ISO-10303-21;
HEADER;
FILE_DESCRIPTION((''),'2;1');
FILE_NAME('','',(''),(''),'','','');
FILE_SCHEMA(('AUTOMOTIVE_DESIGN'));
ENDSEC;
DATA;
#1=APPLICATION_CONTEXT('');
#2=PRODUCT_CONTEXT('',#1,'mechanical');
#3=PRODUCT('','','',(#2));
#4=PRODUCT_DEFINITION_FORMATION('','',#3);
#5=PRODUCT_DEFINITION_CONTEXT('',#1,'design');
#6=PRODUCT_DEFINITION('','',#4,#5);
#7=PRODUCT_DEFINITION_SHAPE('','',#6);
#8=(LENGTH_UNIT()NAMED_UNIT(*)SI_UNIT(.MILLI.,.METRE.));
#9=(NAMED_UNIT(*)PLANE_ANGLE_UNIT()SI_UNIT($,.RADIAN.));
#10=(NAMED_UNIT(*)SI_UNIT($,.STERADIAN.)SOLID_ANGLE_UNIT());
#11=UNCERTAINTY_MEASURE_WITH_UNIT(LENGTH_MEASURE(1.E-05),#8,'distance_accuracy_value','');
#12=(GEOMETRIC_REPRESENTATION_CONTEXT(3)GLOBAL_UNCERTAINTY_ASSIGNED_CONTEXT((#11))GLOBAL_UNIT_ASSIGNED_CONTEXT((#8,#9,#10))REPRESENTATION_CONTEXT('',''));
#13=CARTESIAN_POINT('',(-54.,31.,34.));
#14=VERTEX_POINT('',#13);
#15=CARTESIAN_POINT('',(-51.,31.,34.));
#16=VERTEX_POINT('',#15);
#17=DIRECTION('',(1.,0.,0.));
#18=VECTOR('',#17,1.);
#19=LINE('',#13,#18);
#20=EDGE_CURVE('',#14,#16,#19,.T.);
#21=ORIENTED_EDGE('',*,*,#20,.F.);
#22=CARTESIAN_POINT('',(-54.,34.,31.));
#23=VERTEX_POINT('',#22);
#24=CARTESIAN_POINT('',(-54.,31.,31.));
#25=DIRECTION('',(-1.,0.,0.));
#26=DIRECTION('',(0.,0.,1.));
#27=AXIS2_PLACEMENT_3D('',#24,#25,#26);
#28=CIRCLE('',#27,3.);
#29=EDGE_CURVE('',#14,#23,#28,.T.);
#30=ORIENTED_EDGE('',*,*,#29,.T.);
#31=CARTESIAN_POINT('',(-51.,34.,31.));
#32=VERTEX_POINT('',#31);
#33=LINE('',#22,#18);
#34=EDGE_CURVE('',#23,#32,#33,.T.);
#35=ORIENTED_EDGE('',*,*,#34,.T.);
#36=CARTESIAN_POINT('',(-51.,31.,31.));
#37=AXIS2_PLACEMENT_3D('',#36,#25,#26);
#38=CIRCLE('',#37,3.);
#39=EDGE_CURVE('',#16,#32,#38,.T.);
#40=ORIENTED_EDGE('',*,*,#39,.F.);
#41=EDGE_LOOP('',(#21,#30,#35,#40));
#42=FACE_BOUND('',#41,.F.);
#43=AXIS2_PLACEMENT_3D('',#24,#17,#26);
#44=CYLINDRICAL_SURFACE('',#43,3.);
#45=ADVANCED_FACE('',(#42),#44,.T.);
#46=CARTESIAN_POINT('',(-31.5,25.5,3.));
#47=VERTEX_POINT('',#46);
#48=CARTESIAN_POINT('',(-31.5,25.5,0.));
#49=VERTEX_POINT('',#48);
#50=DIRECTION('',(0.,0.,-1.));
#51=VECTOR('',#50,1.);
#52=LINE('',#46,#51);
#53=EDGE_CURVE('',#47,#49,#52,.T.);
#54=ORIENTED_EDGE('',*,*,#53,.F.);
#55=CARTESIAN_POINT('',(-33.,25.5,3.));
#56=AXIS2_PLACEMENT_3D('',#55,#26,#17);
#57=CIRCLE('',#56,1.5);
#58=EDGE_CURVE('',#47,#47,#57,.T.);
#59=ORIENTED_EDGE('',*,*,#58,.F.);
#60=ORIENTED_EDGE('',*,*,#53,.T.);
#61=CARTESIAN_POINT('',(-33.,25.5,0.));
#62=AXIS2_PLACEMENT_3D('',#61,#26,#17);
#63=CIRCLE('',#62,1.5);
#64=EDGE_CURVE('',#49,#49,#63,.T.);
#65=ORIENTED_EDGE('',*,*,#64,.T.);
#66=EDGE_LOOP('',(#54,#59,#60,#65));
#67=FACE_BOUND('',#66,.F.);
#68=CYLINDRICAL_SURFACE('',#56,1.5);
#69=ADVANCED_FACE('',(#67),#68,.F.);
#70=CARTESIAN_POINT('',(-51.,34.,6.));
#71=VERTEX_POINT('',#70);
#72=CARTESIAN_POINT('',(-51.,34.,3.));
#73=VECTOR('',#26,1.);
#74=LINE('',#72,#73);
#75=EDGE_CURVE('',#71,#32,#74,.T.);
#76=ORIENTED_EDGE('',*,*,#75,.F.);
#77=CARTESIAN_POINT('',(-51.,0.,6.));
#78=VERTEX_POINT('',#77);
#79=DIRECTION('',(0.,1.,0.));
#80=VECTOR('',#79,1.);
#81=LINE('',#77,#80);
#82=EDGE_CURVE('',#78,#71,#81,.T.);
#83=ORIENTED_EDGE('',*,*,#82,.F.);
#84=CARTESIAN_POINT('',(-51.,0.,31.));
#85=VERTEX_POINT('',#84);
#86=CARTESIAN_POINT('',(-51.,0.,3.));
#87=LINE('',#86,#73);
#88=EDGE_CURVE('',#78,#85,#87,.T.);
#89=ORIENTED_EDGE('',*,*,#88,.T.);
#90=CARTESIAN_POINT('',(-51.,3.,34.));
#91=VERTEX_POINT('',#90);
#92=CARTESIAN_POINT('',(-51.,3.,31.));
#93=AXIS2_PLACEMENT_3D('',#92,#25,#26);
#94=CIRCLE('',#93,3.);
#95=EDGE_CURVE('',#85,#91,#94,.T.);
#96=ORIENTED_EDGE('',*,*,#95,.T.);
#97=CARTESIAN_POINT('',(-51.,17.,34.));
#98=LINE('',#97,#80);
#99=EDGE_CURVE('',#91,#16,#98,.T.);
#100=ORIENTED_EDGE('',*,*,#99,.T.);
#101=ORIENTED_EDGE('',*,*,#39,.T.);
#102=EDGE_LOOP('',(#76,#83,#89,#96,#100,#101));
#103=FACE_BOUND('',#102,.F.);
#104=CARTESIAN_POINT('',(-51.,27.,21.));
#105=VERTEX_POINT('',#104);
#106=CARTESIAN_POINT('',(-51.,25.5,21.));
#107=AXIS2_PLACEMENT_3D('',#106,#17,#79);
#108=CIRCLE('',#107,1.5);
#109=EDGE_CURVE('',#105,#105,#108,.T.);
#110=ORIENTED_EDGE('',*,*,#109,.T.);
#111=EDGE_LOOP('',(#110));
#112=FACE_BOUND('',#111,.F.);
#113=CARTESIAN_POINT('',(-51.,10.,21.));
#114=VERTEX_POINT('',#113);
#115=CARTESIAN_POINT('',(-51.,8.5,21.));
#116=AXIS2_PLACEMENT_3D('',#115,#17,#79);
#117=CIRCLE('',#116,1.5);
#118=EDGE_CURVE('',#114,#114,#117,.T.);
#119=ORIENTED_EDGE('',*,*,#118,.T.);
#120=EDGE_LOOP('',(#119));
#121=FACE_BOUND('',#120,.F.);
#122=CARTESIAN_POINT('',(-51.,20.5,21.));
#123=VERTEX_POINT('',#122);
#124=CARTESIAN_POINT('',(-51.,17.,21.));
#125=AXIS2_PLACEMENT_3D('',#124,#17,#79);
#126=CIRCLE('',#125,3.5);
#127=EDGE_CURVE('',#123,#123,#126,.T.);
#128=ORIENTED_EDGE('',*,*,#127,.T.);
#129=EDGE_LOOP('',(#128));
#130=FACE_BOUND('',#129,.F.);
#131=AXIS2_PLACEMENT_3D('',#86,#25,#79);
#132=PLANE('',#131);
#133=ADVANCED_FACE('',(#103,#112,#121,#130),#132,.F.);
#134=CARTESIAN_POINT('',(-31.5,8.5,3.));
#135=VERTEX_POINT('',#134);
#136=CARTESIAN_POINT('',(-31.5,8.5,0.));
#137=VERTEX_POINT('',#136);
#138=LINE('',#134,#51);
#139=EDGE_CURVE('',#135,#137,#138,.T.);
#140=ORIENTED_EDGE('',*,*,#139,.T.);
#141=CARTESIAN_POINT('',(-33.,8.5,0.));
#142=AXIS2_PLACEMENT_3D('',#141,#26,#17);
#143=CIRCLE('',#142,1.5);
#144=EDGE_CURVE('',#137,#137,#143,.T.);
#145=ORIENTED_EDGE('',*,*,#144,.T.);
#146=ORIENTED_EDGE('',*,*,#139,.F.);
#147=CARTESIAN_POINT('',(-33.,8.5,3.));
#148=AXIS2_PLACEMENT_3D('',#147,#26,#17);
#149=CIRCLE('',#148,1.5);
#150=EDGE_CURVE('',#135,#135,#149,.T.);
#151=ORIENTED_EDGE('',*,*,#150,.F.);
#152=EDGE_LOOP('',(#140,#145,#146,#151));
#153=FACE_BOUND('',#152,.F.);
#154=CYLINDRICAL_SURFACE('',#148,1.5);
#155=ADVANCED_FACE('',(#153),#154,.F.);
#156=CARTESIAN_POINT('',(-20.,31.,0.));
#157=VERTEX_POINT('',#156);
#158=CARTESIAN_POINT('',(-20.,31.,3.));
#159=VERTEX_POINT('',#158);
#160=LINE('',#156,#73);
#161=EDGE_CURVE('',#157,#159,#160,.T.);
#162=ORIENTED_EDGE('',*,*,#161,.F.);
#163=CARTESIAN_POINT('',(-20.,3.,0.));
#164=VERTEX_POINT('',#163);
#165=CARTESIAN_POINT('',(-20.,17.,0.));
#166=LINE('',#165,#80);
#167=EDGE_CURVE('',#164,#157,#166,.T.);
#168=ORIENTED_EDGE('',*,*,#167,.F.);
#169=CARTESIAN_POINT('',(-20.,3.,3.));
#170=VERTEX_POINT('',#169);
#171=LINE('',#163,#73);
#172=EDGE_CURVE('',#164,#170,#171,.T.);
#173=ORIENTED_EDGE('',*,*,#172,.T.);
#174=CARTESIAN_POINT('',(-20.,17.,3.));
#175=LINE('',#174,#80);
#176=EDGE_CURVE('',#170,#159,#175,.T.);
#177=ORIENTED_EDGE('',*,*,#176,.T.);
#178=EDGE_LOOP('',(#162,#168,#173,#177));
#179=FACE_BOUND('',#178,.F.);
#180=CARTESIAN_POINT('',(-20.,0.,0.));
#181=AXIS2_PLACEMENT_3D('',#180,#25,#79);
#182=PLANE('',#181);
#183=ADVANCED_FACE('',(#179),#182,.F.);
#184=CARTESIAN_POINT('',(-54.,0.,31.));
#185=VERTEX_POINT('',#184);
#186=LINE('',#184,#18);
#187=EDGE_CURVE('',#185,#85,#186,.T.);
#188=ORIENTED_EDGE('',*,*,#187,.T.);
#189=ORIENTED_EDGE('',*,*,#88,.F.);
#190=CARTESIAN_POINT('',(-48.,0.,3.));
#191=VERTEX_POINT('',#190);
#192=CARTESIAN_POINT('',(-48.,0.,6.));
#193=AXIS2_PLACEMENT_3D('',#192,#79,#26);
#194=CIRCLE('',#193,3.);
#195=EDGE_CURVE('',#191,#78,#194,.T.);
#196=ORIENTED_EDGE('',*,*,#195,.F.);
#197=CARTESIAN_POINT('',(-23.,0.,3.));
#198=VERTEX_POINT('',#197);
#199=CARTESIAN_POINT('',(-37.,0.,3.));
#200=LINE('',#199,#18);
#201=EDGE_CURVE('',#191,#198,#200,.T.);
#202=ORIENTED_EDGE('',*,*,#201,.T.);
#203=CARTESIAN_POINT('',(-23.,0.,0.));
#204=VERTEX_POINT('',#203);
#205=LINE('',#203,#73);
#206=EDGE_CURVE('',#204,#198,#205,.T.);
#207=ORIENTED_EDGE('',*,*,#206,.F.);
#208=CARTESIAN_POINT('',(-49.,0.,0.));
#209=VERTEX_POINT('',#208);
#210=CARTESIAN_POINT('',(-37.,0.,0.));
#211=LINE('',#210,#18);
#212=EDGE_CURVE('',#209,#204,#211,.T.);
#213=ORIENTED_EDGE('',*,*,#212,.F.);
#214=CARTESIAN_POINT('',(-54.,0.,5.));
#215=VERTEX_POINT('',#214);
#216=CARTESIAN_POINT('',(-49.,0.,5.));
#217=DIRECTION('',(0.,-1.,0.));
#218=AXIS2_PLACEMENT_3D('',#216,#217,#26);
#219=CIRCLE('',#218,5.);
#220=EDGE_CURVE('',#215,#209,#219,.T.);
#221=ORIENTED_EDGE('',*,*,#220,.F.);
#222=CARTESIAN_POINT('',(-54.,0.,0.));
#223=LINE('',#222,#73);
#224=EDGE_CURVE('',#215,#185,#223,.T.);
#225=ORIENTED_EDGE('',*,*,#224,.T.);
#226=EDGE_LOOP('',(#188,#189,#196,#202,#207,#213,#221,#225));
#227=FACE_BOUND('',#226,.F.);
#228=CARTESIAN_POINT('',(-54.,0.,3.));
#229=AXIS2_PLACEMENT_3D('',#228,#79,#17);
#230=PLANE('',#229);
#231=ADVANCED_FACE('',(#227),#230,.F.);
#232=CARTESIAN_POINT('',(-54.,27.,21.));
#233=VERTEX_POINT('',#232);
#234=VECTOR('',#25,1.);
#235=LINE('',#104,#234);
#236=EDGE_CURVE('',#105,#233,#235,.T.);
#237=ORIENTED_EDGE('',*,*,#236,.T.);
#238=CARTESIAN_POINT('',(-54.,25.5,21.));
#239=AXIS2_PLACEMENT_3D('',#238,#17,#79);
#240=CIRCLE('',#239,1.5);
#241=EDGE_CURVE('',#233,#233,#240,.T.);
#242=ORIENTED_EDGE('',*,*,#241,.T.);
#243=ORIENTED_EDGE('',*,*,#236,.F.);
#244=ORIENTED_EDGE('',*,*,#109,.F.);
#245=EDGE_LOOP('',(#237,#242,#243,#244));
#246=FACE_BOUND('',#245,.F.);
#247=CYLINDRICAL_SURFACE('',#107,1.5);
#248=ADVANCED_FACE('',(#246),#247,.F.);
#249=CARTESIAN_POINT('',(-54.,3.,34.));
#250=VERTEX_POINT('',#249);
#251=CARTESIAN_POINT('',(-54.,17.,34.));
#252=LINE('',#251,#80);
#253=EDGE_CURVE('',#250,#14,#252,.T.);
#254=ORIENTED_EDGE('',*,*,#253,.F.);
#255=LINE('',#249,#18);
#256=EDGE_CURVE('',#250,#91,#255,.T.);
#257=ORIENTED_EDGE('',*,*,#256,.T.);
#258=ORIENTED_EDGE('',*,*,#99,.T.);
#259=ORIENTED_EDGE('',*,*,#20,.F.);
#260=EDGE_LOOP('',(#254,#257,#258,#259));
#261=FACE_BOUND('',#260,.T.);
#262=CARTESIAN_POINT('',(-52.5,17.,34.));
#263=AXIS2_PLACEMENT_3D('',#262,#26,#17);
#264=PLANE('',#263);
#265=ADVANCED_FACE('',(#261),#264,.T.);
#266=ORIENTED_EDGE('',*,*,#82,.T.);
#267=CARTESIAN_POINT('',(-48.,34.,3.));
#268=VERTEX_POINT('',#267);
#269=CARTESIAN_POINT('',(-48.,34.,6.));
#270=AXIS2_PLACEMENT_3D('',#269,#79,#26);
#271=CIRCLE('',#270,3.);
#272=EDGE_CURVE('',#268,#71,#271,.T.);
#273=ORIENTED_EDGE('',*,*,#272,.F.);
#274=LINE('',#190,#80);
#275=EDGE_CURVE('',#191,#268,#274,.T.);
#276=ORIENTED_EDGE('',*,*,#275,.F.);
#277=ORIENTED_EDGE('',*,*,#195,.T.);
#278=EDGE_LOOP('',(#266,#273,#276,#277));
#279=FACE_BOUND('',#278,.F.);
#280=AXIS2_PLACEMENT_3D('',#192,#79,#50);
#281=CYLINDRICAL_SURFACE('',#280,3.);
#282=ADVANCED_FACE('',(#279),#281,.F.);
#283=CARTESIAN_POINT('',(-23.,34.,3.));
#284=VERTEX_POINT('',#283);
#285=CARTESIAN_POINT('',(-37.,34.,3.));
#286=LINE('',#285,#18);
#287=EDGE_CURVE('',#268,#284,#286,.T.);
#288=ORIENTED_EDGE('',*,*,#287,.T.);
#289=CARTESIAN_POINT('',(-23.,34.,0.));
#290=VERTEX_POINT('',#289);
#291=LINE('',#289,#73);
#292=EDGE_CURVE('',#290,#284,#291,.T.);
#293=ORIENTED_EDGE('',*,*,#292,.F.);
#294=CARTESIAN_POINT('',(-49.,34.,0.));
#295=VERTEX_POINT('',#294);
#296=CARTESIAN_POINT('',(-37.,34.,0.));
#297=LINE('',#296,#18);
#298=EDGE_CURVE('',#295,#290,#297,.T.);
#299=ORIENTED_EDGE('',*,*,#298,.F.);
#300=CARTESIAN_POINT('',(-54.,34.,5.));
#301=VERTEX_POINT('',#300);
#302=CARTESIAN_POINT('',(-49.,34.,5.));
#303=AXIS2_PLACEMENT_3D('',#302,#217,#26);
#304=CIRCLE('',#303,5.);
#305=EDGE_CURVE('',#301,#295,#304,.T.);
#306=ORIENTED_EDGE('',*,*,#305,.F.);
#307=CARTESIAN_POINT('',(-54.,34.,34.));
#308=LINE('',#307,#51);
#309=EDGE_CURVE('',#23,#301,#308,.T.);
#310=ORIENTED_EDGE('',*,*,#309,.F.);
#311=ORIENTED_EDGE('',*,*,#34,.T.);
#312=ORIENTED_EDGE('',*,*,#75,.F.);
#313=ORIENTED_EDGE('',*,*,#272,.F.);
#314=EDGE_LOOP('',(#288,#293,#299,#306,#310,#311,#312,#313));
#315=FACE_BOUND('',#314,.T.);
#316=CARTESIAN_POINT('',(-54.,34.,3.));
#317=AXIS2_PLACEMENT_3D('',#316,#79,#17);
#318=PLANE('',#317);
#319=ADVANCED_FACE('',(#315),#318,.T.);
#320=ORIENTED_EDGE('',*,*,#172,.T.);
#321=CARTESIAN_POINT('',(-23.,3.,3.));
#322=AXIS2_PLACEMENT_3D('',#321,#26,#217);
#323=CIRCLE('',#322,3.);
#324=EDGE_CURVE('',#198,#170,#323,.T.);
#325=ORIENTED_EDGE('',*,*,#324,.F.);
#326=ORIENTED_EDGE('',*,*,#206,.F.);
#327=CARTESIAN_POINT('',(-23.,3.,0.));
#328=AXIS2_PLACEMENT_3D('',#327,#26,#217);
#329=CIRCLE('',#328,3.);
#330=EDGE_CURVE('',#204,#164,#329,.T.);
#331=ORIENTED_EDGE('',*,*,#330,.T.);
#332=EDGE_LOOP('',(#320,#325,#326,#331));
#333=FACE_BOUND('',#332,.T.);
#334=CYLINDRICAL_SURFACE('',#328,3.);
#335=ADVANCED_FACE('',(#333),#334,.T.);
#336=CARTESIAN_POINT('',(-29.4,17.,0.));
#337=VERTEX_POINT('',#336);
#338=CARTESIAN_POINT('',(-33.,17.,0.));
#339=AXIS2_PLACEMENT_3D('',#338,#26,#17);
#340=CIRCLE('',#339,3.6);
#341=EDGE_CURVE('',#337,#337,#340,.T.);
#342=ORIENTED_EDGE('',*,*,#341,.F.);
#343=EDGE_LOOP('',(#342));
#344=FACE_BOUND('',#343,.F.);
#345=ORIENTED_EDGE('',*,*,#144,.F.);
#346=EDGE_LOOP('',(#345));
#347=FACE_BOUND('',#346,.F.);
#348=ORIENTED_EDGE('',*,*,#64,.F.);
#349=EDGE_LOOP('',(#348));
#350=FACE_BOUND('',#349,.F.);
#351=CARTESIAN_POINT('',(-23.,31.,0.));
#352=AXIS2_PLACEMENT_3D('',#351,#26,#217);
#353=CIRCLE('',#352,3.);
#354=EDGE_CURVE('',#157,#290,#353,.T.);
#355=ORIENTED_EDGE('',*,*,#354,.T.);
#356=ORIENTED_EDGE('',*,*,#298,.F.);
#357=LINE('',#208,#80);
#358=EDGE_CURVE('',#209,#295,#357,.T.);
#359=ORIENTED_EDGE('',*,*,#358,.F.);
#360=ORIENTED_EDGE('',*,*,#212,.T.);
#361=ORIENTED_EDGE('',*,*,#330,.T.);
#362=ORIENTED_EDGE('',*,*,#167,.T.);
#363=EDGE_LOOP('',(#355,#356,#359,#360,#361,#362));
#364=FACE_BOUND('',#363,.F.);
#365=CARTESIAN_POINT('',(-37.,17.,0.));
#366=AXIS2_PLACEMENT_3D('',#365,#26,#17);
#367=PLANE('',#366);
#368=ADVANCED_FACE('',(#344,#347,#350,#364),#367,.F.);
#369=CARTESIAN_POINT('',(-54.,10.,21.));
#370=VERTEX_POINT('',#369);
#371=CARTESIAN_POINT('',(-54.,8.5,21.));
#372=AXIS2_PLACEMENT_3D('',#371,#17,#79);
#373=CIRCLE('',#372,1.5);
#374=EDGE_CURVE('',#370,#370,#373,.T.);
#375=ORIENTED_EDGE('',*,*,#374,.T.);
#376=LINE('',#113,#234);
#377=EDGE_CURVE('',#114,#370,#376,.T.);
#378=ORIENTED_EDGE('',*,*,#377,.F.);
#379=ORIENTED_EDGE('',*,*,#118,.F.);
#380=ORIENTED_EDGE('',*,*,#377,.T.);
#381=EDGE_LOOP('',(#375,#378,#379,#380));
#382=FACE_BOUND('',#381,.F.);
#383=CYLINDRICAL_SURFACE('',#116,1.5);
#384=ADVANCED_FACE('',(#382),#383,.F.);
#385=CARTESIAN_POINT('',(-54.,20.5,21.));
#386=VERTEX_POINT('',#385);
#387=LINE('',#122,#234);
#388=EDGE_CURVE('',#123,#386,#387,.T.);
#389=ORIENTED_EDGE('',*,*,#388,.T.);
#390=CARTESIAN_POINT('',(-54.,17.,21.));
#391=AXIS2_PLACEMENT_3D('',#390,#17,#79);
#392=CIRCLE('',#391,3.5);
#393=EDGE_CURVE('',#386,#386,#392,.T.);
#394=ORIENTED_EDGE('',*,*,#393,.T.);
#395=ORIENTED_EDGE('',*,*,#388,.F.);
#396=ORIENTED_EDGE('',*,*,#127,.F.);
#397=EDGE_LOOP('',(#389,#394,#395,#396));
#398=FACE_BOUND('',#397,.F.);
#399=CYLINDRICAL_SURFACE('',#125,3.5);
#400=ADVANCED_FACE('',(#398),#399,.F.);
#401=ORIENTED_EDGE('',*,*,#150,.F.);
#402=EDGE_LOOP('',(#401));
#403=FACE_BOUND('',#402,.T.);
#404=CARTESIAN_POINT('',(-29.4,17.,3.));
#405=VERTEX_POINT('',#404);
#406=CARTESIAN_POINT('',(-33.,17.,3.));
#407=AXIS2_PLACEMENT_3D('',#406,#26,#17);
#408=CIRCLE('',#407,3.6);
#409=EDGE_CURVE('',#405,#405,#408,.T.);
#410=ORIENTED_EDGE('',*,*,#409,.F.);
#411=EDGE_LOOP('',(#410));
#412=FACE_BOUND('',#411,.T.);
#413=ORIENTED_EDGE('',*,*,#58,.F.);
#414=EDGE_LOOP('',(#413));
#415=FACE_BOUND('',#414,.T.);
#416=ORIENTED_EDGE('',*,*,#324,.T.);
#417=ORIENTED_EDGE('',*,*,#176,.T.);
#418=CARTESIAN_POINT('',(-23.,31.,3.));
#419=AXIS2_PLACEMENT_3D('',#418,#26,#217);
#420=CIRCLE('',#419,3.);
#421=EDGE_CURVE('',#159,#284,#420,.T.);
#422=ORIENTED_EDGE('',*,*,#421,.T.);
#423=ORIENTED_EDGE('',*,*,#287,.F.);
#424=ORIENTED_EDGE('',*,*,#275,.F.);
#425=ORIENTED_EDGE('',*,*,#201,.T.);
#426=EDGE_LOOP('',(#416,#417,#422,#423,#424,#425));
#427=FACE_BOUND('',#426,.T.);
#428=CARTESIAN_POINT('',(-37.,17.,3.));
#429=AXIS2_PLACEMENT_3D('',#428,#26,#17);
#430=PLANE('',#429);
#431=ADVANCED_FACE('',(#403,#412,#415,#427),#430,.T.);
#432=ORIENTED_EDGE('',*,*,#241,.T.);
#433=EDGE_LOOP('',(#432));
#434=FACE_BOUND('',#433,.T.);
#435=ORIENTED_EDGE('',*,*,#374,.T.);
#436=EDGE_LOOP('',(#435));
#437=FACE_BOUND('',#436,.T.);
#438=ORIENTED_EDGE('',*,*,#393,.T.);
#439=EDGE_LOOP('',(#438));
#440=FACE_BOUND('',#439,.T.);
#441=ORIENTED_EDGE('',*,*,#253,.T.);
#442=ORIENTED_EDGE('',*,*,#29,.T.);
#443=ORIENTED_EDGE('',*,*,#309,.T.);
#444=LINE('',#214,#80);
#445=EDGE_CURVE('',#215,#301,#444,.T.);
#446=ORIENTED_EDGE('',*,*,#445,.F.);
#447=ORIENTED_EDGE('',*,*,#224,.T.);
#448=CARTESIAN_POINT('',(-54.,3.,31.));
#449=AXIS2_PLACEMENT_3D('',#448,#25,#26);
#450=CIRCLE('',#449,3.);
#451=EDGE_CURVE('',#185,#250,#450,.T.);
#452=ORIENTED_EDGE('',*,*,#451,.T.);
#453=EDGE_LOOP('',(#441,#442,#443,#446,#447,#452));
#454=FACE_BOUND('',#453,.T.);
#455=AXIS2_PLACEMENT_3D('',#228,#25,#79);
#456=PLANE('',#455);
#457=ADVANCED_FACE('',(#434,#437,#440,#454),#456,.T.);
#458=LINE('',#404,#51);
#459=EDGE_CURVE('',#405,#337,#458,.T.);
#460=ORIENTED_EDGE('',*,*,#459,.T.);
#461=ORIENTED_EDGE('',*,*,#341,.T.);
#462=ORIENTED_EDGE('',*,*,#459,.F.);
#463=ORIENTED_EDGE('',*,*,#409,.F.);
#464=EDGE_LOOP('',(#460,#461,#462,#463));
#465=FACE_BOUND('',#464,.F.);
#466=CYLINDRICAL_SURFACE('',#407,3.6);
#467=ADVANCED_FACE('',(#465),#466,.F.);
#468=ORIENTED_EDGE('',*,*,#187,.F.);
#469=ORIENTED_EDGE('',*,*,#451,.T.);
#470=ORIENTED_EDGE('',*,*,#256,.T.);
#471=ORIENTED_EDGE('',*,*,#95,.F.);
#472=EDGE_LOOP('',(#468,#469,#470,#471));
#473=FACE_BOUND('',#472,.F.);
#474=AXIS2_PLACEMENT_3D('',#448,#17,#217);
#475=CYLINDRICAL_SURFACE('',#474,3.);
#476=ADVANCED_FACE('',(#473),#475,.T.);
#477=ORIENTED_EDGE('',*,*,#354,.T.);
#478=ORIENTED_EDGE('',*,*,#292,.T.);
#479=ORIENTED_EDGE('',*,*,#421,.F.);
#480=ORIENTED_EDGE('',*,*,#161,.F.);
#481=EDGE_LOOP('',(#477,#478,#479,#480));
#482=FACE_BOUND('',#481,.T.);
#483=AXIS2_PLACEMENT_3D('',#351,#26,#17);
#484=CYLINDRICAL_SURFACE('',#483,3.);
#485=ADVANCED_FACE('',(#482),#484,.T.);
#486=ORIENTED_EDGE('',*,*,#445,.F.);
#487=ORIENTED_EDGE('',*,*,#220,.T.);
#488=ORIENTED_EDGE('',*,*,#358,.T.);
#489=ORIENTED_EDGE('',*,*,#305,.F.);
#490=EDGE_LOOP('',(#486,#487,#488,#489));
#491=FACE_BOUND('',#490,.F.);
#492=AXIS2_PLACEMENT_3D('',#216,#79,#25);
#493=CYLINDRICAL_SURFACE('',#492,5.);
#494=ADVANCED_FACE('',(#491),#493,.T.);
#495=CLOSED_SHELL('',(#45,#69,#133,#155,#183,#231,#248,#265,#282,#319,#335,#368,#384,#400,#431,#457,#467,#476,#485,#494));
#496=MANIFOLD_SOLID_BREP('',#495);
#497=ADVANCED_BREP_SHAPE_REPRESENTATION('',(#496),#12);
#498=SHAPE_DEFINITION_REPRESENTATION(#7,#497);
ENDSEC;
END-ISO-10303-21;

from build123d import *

# Parameters (mm, degrees)
SKETCH005_W     = 34
SKETCH005_H     = 34
PAD005_DEPTH    = 3
SKETCH006_W     = 3
SKETCH006_H     = 34
PAD006_DEPTH    = 31
FILLET_R        = 3
FILLET001_R     = 5
SKETCH007_R     = 1.5
SKETCH007_R_2   = 3.6
POCKET_DEPTH    = 5
FILLET002_R     = 3
SKETCH008_R     = 1.5
SKETCH008_R_2   = 3.5
POCKET001_DEPTH = 5
FILLET003_R     = 3


with BuildPart() as part:
    # Sketch005 → Pad005 (new body)
    with BuildSketch(Plane.XY):
        with Locations((-37, 17)):
            Rectangle(SKETCH005_W, SKETCH005_H)
    extrude(amount=PAD005_DEPTH)

    # Sketch006 (on Face6 of Pad005) → Pad006 (join)
    with BuildSketch(Plane.XY.offset(3)):
        with Locations((-52.5, 17)):
            Rectangle(SKETCH006_W, SKETCH006_H)
    extrude(amount=PAD006_DEPTH)

    # Fillet
    fillet_edges = [part.edges().sort_by_distance(p)[0] for p in [
        (-51, 17, 3),
    ]]
    fillet(fillet_edges, radius=FILLET_R)

    # Fillet001
    fillet001_edges = [part.edges().sort_by_distance(p)[0] for p in [
        (-54, 17, 0),
    ]]
    fillet(fillet001_edges, radius=FILLET001_R)

    # Sketch007 (on Face6 of Fillet001) → Pocket (cut)
    with BuildSketch(Plane.XY.offset(3)):
        with Locations((-33, 8.5)):
            Circle(SKETCH007_R)
        with Locations((-33, 25.5)):
            Circle(SKETCH007_R)
        with Locations((-33, 17)):
            Circle(SKETCH007_R_2)
    extrude(amount=-POCKET_DEPTH, mode=Mode.SUBTRACT)

    # Fillet002
    fillet002_edges = [part.edges().sort_by_distance(p)[0] for p in [
        (-20, 34, 1.5),
        (-20, 0, 1.5),
    ]]
    fillet(fillet002_edges, radius=FILLET002_R)

    # Sketch008 (on Face9 of Fillet002) → Pocket001 (cut)
    with BuildSketch(Plane.YZ.offset(-51)):
        with Locations((8.5, 21)):
            Circle(SKETCH008_R)
        with Locations((25.5, 21)):
            Circle(SKETCH008_R)
        with Locations((17, 21)):
            Circle(SKETCH008_R_2)
    extrude(amount=-POCKET001_DEPTH, mode=Mode.SUBTRACT)

    # Fillet003
    fillet003_edges = [part.edges().sort_by_distance(p)[0] for p in [
        (-52.5, 34, 34),
        (-52.5, 0, 34),
    ]]
    fillet(fillet003_edges, radius=FILLET003_R)


solid = part.part
